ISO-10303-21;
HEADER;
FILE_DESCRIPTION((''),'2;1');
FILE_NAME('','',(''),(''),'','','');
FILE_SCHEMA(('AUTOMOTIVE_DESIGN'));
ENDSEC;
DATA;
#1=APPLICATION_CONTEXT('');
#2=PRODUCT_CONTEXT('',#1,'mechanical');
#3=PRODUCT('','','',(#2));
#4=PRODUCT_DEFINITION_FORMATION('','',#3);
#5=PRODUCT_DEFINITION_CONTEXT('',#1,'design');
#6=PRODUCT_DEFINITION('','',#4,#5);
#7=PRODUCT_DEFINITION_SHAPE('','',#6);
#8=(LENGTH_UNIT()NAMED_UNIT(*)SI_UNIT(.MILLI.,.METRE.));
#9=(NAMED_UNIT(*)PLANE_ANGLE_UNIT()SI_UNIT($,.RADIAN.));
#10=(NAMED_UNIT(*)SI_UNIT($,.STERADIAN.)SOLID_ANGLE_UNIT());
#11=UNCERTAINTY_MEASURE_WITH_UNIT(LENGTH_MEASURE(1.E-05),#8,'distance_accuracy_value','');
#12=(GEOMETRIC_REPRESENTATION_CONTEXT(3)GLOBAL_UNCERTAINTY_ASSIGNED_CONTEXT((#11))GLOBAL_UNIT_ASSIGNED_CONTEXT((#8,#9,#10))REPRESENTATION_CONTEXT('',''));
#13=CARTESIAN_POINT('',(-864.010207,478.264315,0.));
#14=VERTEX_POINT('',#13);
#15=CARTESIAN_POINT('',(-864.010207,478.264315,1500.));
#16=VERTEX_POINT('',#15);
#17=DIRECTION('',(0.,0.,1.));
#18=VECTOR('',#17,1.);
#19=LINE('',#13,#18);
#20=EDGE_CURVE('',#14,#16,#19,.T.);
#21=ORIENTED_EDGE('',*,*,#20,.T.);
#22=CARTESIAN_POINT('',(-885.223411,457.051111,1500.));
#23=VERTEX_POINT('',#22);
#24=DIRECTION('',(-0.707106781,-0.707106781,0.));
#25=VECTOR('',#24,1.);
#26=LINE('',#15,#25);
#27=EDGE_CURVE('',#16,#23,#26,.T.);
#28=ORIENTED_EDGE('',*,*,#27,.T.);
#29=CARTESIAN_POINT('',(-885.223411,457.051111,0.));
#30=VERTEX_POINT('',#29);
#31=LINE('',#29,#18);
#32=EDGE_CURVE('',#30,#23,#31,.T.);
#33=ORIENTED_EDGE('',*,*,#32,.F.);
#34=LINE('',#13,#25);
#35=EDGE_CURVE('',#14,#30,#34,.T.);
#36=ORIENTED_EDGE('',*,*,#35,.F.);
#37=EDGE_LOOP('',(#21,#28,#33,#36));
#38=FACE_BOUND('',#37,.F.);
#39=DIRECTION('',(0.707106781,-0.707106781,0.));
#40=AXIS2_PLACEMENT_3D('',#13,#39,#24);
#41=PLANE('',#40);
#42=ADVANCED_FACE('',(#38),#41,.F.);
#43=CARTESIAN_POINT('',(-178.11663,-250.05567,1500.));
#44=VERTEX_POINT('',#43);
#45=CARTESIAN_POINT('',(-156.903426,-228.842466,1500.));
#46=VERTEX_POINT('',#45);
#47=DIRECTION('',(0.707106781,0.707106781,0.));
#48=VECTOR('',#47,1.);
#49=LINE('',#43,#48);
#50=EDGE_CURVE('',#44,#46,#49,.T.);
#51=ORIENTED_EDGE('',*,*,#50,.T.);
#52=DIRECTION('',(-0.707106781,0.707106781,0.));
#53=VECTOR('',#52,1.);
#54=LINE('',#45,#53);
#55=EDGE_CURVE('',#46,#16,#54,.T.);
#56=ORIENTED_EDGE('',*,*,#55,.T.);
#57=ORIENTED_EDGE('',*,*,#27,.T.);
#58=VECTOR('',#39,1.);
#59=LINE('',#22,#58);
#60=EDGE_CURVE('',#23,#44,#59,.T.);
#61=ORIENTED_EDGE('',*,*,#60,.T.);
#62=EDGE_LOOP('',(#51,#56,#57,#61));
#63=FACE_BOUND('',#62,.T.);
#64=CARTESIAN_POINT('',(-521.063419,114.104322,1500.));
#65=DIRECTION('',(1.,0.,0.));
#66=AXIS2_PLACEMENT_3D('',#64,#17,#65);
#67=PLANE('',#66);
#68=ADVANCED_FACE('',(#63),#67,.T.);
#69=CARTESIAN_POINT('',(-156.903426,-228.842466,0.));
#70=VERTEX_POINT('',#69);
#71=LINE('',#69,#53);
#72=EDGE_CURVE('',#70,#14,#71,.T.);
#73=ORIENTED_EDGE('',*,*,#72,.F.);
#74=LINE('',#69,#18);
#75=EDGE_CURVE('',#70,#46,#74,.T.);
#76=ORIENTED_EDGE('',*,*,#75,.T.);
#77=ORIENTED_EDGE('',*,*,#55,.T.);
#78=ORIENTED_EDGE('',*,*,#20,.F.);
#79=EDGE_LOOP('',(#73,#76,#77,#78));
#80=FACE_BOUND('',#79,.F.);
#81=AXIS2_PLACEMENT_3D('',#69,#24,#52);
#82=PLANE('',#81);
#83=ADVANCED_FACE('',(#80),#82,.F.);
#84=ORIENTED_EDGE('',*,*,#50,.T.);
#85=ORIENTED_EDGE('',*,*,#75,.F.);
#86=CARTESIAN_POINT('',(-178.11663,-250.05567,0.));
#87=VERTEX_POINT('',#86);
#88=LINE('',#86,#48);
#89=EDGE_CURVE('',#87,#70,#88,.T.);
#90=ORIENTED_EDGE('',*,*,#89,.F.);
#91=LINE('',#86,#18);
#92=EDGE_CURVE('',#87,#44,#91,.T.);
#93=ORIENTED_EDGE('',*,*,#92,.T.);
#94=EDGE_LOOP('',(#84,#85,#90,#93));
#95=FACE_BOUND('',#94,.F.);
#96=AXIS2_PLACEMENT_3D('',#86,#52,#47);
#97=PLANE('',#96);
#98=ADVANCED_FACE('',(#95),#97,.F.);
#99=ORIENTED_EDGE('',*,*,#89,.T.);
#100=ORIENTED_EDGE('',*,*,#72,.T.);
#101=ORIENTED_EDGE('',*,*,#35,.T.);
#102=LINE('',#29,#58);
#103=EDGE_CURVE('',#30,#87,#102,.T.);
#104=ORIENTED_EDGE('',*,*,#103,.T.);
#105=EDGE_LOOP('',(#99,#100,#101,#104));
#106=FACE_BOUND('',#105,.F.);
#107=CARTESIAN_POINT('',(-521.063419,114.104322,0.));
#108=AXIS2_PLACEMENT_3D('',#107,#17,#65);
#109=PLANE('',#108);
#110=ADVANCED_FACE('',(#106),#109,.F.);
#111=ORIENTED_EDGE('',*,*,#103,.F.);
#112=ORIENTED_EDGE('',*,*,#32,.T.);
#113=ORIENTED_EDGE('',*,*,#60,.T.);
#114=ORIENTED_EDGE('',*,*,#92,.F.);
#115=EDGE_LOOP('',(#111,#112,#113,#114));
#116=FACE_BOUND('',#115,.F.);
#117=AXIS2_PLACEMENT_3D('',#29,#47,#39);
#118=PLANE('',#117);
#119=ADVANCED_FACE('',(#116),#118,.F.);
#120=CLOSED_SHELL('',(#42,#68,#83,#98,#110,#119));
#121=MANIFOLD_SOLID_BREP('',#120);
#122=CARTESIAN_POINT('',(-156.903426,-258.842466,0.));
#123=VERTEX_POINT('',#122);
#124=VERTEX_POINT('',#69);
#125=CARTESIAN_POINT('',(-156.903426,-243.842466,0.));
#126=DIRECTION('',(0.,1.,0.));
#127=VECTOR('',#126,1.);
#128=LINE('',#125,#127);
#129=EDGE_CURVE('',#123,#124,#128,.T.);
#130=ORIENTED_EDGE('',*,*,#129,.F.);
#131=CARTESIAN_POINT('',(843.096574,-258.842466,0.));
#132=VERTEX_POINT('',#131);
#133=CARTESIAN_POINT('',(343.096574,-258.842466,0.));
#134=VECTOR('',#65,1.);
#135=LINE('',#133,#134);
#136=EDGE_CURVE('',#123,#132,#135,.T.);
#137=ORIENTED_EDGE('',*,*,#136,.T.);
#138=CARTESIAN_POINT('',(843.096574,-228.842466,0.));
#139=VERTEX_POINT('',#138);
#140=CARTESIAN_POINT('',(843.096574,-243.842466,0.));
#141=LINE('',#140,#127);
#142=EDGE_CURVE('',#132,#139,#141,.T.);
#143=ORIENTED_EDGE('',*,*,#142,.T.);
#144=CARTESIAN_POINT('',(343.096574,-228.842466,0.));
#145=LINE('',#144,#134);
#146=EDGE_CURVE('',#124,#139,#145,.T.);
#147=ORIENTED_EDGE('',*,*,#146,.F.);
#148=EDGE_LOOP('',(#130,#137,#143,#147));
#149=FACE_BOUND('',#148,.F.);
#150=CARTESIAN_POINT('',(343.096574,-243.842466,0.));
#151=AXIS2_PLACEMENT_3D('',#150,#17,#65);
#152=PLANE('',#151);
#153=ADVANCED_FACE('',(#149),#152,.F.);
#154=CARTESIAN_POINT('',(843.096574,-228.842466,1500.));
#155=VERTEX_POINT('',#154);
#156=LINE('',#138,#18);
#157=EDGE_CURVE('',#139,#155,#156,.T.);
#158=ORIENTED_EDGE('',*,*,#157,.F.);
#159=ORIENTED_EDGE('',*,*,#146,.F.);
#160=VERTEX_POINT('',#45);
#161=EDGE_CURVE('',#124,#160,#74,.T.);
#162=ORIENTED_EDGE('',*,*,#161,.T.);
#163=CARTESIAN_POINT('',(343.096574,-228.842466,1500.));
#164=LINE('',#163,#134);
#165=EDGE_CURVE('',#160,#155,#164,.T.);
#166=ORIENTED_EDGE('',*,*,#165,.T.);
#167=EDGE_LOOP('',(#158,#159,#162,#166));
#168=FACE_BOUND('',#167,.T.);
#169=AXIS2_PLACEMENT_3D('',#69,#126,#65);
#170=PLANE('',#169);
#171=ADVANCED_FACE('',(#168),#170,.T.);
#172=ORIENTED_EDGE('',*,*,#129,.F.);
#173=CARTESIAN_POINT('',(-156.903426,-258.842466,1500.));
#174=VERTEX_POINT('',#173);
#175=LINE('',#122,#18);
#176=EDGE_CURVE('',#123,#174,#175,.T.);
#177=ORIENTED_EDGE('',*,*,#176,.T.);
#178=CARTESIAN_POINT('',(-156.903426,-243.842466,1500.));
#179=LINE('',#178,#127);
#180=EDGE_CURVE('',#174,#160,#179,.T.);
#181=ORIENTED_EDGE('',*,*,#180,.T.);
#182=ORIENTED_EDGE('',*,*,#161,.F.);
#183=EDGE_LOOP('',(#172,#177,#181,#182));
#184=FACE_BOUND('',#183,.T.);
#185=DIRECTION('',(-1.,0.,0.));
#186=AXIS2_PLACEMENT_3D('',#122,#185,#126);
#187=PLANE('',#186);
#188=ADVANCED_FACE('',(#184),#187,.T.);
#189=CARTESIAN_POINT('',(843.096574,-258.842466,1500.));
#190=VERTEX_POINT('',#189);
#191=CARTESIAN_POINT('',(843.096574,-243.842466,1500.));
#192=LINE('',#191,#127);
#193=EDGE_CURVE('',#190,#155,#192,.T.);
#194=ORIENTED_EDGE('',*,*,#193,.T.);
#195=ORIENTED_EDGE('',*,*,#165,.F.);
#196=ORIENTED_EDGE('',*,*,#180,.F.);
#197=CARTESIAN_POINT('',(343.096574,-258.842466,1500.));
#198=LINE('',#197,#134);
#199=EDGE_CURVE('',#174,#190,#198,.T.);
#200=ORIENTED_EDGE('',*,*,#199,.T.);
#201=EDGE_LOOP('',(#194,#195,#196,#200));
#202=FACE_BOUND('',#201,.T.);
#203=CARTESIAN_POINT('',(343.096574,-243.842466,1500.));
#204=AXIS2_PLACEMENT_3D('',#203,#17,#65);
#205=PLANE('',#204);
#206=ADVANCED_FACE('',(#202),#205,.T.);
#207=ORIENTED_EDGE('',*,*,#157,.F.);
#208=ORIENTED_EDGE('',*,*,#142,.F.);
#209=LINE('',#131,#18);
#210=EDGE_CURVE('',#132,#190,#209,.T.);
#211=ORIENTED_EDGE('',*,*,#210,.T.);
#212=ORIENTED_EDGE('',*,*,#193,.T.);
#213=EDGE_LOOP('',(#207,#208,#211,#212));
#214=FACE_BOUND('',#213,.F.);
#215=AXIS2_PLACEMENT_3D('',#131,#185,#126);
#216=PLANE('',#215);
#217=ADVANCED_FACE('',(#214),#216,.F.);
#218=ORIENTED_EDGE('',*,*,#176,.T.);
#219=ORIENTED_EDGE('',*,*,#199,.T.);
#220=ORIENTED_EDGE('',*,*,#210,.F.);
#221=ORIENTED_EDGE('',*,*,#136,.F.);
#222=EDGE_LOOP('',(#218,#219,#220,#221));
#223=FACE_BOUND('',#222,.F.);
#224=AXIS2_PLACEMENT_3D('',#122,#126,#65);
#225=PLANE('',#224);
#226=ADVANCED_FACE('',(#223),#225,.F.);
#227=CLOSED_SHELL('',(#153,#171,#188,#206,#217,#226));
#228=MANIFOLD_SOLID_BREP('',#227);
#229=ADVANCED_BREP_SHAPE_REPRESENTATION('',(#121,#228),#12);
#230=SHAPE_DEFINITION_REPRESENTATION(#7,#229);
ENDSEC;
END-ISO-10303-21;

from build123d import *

# Parameters (mm, degrees)
F0_W     = 1000
F0_H     = 30
F1_DEPTH = 1500


with BuildPart() as f1:
    # F0 (on Top) → F1 (new body)
    with BuildSketch(Plane.XY):
        with Locations((343.096574, -243.842466)):
            Rectangle(F0_W, F0_H)
        Polygon((-178.11663, -250.05567), (-156.903426, -228.842466), (-864.010207, 478.264315), (-885.223411, 457.051111), align=None)
    extrude(amount=F1_DEPTH)


solid = f1.part
